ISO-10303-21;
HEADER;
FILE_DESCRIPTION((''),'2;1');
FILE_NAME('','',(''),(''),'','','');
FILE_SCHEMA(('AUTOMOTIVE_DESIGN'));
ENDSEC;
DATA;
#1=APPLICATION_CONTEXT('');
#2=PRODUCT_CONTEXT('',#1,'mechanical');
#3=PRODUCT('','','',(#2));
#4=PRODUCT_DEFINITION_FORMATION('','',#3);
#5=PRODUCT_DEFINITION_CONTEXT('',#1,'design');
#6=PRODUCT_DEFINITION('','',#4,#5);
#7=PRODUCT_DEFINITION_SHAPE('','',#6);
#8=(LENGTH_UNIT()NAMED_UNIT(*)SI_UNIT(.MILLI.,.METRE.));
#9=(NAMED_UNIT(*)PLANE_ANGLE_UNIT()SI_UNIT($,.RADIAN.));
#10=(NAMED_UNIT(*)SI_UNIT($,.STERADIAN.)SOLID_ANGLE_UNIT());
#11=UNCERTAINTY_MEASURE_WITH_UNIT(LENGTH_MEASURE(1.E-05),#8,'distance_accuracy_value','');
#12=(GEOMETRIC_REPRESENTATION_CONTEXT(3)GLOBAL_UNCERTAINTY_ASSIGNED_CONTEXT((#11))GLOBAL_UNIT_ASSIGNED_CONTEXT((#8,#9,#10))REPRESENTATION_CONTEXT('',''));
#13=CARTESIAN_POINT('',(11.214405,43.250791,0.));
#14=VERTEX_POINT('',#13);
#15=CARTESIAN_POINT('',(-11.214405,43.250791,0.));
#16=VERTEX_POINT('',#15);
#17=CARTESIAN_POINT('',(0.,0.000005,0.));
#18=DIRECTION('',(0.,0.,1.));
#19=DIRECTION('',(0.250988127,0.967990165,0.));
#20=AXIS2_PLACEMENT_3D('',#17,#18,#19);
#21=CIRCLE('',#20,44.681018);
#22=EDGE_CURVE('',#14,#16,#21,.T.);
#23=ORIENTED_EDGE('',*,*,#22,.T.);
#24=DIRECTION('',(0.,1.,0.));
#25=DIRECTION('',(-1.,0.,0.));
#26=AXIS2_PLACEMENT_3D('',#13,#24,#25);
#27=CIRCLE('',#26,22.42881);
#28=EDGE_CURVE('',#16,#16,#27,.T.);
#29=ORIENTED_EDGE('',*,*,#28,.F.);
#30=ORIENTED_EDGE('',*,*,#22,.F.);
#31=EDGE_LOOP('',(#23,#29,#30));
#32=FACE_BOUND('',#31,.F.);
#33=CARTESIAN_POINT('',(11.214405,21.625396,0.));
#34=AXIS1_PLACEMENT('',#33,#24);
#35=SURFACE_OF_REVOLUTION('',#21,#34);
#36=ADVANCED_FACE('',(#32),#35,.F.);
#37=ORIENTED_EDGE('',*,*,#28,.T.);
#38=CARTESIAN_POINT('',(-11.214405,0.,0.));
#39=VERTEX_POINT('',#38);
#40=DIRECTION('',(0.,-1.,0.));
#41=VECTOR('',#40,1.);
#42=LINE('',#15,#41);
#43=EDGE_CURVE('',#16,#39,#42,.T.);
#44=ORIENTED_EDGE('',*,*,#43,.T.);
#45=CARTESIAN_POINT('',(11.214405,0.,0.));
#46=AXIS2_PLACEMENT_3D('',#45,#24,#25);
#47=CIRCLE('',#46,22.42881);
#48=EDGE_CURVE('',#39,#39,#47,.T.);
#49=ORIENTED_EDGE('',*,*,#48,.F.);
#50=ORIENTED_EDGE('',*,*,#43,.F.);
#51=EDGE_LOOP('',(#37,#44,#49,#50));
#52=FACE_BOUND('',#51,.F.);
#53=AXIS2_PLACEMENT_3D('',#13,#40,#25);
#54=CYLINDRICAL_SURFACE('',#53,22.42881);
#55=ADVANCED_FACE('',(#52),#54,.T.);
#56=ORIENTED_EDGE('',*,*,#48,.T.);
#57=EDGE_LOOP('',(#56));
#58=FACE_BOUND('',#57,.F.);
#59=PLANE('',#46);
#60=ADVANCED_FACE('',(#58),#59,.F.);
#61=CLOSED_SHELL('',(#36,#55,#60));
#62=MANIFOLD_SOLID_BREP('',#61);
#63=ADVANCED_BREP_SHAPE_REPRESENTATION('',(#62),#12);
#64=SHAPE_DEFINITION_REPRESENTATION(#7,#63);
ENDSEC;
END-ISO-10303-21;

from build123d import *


with BuildPart() as f1:
    # F0 (on Top) → F1 (revolve)
    with BuildSketch(Plane.XY):
        with BuildLine():
            Line((11.214405, 0), (11.214405, 43.250791))
            ThreePointArc((11.214405, 43.250791), (0, 44.681023), (-11.214405, 43.250791))
            Line((-11.214405, 43.250791), (-11.214405, 0))
            Line((-11.214405, 0), (0, 0))
            Line((0, 0), (11.214405, 0))
        make_face()
    revolve(axis=Axis((11.214405, 21.625396, 0), (0, 1, 0)))


solid = f1.part
